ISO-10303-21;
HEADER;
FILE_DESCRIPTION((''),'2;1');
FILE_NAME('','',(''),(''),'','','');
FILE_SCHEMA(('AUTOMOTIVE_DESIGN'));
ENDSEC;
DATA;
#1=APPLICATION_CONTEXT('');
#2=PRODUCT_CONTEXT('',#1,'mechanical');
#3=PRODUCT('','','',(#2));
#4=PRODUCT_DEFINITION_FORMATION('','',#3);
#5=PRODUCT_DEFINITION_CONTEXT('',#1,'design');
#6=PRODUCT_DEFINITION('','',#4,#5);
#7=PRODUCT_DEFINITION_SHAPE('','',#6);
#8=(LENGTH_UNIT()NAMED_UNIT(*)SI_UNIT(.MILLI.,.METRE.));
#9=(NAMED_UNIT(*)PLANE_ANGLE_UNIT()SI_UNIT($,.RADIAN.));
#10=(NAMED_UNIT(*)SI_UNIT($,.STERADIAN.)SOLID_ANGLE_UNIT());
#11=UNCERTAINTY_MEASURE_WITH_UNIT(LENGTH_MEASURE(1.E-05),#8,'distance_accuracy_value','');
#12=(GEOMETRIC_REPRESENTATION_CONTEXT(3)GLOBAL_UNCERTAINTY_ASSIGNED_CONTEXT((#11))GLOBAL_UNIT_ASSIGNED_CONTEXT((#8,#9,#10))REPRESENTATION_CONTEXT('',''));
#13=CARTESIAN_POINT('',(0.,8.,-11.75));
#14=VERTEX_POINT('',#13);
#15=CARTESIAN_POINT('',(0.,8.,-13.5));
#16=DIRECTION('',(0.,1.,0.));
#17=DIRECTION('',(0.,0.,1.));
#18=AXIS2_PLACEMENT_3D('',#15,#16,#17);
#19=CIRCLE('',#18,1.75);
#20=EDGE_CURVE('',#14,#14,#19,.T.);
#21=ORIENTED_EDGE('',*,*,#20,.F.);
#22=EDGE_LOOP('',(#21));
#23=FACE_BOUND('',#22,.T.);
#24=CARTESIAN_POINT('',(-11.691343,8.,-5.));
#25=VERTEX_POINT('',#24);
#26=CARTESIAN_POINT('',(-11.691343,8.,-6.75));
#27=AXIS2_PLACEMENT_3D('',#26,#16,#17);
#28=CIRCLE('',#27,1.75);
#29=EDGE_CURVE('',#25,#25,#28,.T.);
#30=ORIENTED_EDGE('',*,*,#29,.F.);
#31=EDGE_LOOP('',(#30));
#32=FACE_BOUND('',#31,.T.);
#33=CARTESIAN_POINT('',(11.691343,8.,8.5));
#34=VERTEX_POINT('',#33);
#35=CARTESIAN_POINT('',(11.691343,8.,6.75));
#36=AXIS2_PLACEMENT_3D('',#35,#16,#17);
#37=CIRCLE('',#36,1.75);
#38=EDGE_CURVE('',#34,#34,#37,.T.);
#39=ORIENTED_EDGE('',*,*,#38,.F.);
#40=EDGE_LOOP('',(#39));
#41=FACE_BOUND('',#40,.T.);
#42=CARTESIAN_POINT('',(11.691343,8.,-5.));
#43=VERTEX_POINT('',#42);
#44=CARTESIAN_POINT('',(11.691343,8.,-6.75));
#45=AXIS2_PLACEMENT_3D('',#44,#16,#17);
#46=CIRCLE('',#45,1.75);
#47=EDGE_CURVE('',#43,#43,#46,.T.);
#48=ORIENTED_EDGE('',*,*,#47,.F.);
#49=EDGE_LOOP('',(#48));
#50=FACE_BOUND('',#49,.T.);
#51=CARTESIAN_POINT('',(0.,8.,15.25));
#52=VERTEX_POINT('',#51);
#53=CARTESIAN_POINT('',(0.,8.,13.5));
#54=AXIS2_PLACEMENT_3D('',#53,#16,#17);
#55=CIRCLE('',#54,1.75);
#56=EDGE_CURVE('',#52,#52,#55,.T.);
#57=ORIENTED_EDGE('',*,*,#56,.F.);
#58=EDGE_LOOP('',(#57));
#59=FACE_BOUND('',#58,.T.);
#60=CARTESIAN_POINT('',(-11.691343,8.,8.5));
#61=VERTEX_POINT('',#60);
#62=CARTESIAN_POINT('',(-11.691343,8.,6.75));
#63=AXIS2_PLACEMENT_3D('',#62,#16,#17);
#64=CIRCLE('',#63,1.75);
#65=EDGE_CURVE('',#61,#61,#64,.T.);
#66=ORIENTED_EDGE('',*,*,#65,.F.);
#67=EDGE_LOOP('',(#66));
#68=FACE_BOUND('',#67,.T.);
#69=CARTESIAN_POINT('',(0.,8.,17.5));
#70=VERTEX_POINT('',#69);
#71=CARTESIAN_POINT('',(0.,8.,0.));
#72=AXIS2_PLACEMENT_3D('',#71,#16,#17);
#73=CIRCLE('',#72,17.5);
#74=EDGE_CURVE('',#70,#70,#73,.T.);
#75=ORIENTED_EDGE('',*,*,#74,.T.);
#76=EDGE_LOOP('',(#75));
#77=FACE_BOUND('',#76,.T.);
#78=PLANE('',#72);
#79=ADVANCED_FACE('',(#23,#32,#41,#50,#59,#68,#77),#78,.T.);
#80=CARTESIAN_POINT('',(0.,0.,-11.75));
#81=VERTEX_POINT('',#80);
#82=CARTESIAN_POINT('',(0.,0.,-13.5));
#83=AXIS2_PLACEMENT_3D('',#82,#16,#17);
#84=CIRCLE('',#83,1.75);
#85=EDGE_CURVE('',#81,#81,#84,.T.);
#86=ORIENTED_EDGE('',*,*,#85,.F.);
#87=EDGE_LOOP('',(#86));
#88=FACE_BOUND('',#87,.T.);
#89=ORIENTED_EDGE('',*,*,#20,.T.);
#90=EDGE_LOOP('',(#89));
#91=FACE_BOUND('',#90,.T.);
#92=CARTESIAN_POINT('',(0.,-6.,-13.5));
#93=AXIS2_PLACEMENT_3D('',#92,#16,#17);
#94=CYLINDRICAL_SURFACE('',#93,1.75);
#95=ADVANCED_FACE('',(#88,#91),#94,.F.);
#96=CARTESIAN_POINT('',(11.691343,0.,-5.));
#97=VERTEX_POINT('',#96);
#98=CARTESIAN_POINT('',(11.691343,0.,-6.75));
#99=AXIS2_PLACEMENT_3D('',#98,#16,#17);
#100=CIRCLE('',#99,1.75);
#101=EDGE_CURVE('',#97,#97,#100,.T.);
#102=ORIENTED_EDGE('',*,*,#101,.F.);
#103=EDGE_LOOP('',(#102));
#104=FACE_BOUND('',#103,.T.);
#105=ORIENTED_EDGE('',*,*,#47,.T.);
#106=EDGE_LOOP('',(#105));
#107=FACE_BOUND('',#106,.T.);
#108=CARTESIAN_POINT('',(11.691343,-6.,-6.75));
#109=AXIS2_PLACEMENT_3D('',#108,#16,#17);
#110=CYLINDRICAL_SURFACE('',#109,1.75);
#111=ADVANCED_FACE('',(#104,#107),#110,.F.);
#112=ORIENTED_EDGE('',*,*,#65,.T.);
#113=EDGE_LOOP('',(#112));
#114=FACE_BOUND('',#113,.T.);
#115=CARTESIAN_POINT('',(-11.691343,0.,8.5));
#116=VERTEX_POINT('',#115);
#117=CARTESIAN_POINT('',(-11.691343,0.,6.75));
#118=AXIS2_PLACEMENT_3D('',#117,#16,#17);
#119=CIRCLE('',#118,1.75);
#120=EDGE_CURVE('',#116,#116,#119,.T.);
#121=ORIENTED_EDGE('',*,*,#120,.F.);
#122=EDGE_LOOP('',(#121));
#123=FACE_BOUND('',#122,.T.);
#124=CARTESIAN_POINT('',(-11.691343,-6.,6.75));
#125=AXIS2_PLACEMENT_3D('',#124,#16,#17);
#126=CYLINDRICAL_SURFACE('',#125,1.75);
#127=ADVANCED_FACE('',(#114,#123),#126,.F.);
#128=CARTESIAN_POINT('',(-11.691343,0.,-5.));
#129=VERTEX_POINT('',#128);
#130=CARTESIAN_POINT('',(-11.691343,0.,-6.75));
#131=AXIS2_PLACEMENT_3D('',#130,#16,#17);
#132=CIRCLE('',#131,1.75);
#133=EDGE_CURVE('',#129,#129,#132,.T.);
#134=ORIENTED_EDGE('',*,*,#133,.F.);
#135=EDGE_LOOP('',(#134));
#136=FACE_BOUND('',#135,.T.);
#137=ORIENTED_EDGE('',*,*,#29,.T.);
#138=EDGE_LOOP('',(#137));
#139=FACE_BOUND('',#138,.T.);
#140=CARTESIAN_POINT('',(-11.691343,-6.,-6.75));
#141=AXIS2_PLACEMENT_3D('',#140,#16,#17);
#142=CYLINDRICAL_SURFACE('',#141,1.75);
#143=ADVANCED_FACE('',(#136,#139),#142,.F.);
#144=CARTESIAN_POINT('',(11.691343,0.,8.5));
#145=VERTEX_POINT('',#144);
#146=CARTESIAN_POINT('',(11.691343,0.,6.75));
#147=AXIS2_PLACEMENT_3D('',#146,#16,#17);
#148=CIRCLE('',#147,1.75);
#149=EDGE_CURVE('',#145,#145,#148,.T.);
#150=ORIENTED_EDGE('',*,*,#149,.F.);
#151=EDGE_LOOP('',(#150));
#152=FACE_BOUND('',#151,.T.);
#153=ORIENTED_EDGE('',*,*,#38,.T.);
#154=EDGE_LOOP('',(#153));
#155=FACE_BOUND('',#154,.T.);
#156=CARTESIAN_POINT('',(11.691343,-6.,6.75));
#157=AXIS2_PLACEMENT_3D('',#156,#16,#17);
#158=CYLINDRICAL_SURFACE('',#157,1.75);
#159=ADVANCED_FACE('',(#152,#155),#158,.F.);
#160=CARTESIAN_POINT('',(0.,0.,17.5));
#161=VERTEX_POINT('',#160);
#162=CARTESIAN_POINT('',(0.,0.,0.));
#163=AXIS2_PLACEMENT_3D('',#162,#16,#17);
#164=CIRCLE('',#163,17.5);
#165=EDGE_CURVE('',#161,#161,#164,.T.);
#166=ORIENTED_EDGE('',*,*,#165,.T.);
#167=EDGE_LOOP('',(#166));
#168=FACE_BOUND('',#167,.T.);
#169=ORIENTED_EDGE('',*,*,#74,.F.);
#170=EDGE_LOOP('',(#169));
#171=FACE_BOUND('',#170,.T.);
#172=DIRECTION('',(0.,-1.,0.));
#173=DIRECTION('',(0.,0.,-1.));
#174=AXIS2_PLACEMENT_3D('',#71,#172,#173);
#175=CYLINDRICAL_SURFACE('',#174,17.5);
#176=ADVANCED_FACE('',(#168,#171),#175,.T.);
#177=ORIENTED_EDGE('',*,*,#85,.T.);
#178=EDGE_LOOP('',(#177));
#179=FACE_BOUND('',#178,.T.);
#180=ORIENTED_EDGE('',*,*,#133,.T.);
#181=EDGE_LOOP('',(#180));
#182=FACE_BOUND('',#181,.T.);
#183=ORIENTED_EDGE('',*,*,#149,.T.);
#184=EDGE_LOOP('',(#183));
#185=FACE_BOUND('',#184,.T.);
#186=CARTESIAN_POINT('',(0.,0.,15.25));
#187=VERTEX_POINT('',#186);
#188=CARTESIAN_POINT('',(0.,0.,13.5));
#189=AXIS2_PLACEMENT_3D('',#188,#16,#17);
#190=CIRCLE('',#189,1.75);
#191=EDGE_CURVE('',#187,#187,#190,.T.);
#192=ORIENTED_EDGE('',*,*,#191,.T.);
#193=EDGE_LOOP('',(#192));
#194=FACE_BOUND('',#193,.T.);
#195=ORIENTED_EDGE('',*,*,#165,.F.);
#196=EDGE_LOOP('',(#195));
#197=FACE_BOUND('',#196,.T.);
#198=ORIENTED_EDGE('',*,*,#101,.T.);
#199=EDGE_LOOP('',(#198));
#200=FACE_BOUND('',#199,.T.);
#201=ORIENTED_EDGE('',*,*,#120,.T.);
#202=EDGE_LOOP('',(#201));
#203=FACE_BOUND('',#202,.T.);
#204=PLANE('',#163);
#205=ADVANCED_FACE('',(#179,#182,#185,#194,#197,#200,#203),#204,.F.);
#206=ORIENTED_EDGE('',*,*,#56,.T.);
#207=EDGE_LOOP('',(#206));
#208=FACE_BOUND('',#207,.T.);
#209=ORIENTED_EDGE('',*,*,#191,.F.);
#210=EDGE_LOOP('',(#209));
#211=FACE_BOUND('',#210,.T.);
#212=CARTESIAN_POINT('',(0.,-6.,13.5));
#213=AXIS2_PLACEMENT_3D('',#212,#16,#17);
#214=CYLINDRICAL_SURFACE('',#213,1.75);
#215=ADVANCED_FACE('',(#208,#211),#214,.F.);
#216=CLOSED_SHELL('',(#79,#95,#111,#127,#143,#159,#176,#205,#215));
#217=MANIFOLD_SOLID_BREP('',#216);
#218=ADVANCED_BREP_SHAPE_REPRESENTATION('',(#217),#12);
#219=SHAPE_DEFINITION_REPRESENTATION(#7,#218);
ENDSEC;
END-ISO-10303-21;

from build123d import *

# Parameters (mm, degrees)
SKETCH_1_R          = 17.5
EXTRUDE_1_DEPTH     = 8
SKETCH_2_R          = 1.75
CUT_EXTRUDE_1_DEPTH = 14


with BuildPart() as part:
    # 草图1 → 凸台-拉伸1 (new body)
    with BuildSketch(Plane(origin=(0, 0, 0), x_dir=(1, 0, 0), z_dir=(0, 1, 0))):
        Circle(SKETCH_1_R)
    extrude(amount=EXTRUDE_1_DEPTH)

    # 草图2 → 切除-拉伸1 (cut)
    with BuildSketch(Plane(origin=(0, 8, 0), x_dir=(1, 0, 0), z_dir=(0, 1, 0))):
        with Locations((0, 13.5)):
            Circle(SKETCH_2_R)
        with Locations((11.691342951, 6.75)):
            Circle(SKETCH_2_R)
        with Locations((11.691342951, -6.75)):
            Circle(SKETCH_2_R)
        with Locations((0, -13.5)):
            Circle(SKETCH_2_R)
        with Locations((-11.691342951, -6.75)):
            Circle(SKETCH_2_R)
        with Locations((-11.691342951, 6.75)):
            Circle(SKETCH_2_R)
    extrude(amount=-CUT_EXTRUDE_1_DEPTH, mode=Mode.SUBTRACT)


solid = part.part
